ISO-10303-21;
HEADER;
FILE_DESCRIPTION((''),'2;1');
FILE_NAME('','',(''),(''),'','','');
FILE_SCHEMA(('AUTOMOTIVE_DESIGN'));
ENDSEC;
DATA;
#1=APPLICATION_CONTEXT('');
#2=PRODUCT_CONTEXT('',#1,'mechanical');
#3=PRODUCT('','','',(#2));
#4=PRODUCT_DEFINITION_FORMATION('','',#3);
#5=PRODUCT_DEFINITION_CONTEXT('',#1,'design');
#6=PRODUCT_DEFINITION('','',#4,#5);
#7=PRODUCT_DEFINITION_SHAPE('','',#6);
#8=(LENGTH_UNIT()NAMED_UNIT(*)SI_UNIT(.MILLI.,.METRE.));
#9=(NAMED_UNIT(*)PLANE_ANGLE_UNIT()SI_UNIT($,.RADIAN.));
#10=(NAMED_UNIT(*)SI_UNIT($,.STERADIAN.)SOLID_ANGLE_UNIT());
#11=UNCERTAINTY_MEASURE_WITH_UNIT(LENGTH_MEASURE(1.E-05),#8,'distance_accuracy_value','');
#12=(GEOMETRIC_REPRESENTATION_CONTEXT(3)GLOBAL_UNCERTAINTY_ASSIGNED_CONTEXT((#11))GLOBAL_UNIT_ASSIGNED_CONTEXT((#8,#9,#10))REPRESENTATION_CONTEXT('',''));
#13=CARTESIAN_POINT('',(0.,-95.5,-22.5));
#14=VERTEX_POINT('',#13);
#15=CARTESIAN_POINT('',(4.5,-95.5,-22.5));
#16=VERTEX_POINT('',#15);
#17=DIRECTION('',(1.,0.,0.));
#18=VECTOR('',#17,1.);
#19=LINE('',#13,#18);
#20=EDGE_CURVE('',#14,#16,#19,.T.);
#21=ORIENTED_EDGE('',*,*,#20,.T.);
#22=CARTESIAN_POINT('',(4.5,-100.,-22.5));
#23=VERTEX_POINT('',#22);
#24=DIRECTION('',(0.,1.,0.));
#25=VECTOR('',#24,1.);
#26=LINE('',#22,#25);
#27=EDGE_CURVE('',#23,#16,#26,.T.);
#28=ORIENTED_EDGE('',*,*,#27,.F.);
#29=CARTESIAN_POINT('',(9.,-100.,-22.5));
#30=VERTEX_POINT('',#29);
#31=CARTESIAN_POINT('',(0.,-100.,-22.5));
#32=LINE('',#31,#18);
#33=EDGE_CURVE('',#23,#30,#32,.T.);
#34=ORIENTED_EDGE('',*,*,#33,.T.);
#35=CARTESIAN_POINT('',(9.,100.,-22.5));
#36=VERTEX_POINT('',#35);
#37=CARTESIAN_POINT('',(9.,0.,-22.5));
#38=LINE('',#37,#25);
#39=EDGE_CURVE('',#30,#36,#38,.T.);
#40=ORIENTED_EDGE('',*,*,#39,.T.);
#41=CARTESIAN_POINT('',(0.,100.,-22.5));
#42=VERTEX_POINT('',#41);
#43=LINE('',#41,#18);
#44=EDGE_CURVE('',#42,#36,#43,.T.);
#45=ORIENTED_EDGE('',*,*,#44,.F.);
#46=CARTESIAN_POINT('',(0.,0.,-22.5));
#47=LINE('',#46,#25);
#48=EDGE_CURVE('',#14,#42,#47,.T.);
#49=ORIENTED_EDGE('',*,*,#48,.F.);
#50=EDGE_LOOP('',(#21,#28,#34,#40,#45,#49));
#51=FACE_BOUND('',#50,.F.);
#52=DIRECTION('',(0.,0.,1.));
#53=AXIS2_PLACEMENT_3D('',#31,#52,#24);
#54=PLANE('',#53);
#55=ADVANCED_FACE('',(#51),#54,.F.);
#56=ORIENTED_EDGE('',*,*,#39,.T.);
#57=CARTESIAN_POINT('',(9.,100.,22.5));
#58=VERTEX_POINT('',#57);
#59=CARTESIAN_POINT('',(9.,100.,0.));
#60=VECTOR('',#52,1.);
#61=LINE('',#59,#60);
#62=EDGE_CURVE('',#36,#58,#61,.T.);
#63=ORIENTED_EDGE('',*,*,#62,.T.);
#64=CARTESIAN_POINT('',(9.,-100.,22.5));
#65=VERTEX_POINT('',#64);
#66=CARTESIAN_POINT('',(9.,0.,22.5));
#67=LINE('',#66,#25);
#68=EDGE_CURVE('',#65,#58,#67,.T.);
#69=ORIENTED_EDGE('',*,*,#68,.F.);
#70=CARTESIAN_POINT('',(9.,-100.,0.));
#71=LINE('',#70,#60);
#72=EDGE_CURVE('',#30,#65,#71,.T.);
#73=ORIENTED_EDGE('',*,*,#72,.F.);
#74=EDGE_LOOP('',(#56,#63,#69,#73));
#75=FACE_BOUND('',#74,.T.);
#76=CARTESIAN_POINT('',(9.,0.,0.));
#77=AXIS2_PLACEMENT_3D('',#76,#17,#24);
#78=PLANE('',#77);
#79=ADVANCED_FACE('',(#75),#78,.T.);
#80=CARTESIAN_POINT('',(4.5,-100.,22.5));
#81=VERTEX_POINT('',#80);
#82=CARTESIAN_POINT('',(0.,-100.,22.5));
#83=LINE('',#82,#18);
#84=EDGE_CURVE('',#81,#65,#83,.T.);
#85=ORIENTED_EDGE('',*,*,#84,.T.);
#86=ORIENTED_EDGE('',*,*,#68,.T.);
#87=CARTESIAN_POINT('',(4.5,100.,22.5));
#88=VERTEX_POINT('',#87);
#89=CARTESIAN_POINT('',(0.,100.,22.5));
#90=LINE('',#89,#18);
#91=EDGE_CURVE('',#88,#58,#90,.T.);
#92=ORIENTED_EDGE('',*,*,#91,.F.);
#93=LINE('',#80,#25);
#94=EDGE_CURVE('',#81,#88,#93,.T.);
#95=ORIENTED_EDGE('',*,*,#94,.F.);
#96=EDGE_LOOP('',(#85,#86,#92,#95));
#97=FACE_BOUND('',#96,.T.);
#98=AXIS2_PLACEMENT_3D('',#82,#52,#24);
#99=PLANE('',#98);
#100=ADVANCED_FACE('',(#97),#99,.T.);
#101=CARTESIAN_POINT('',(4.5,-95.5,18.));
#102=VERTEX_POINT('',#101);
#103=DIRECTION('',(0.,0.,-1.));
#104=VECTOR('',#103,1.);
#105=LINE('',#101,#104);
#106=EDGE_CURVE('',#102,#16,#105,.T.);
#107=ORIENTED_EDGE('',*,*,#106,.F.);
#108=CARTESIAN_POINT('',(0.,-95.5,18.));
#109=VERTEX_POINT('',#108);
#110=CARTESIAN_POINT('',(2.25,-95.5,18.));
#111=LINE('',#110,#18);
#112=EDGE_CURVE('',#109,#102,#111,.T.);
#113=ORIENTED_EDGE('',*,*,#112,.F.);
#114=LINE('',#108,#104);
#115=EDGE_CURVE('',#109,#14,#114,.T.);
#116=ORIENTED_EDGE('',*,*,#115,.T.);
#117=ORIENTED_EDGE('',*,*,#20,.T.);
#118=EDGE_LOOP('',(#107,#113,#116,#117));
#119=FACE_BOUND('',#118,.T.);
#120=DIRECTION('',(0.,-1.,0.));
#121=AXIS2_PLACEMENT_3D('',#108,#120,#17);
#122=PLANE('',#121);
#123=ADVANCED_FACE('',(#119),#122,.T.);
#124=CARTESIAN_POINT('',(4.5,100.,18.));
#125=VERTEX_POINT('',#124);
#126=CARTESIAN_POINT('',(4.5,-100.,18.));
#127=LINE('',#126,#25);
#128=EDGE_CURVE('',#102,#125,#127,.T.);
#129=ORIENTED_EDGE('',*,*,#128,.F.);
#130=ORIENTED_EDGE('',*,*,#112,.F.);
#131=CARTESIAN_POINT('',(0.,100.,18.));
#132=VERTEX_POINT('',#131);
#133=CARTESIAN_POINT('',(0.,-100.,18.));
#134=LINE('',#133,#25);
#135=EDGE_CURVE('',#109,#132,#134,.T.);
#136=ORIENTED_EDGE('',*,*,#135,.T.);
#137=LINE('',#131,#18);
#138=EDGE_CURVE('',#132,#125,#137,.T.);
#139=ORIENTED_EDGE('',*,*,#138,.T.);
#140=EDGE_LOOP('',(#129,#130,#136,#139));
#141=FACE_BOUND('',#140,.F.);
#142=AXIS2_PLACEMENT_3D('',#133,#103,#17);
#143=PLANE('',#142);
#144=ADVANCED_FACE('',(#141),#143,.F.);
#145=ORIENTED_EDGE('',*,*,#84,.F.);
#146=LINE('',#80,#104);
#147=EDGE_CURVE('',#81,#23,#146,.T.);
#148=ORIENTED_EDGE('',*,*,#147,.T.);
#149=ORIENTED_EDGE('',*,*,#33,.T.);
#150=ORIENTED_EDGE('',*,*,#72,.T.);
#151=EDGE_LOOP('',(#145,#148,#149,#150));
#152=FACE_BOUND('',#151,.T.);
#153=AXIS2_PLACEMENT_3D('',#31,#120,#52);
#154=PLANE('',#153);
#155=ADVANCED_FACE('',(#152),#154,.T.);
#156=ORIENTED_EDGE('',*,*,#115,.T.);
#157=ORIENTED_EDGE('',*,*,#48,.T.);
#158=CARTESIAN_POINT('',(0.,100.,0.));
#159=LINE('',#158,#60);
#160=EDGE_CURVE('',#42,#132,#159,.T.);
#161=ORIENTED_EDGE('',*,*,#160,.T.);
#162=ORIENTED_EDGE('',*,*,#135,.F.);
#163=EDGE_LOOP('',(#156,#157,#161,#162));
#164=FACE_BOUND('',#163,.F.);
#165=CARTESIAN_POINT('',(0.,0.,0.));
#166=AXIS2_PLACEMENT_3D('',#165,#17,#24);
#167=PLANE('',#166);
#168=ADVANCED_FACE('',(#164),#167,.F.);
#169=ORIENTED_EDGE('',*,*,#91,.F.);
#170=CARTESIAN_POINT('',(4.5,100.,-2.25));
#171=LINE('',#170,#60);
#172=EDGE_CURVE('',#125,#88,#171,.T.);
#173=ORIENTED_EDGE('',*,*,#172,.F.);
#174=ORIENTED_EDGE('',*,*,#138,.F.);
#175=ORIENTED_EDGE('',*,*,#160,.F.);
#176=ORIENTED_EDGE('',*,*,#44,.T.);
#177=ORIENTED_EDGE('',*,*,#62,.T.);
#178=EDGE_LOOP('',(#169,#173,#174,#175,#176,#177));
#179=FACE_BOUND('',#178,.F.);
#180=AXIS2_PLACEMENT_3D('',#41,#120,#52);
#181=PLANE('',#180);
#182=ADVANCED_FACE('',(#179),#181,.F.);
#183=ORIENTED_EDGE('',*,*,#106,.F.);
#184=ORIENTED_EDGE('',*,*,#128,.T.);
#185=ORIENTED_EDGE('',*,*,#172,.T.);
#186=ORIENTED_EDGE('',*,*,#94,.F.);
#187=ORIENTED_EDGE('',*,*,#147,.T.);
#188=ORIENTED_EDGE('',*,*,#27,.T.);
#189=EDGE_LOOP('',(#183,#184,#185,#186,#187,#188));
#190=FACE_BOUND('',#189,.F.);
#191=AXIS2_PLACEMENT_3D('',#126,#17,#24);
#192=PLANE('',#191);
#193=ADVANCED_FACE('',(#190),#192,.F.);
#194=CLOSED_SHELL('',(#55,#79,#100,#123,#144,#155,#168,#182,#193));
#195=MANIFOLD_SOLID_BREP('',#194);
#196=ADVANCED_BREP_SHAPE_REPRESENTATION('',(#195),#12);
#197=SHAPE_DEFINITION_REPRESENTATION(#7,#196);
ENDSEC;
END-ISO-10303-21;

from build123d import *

# Parameters (mm, degrees)
F0_W     = 200
F0_H     = 45
F1_DEPTH = 9
F2_W     = 4.5
F2_H     = 4.5
F3_DEPTH = 200.001
F4_W     = 4.5
F4_H     = 4.5
F5_DEPTH = 40.501


with BuildPart() as f1:
    # F0 (on Right) → F1 (new body)
    with BuildSketch(Plane.YZ):
        Rectangle(F0_W, F0_H)
    extrude(amount=F1_DEPTH)

    # F2 (on face) → F3 (cut, through all)
    with BuildSketch(Plane.XZ.offset(100)):
        with Locations((2.25, 20.25)):
            Rectangle(F2_W, F2_H)
    extrude(amount=-F3_DEPTH, mode=Mode.SUBTRACT)

    # F4 (on face) → F5 (cut, through all)
    with BuildSketch(Plane.XY.offset(18)):
        with Locations((2.25, -97.75)):
            Rectangle(F4_W, F4_H)
    extrude(amount=-F5_DEPTH, mode=Mode.SUBTRACT)


solid = f1.part
